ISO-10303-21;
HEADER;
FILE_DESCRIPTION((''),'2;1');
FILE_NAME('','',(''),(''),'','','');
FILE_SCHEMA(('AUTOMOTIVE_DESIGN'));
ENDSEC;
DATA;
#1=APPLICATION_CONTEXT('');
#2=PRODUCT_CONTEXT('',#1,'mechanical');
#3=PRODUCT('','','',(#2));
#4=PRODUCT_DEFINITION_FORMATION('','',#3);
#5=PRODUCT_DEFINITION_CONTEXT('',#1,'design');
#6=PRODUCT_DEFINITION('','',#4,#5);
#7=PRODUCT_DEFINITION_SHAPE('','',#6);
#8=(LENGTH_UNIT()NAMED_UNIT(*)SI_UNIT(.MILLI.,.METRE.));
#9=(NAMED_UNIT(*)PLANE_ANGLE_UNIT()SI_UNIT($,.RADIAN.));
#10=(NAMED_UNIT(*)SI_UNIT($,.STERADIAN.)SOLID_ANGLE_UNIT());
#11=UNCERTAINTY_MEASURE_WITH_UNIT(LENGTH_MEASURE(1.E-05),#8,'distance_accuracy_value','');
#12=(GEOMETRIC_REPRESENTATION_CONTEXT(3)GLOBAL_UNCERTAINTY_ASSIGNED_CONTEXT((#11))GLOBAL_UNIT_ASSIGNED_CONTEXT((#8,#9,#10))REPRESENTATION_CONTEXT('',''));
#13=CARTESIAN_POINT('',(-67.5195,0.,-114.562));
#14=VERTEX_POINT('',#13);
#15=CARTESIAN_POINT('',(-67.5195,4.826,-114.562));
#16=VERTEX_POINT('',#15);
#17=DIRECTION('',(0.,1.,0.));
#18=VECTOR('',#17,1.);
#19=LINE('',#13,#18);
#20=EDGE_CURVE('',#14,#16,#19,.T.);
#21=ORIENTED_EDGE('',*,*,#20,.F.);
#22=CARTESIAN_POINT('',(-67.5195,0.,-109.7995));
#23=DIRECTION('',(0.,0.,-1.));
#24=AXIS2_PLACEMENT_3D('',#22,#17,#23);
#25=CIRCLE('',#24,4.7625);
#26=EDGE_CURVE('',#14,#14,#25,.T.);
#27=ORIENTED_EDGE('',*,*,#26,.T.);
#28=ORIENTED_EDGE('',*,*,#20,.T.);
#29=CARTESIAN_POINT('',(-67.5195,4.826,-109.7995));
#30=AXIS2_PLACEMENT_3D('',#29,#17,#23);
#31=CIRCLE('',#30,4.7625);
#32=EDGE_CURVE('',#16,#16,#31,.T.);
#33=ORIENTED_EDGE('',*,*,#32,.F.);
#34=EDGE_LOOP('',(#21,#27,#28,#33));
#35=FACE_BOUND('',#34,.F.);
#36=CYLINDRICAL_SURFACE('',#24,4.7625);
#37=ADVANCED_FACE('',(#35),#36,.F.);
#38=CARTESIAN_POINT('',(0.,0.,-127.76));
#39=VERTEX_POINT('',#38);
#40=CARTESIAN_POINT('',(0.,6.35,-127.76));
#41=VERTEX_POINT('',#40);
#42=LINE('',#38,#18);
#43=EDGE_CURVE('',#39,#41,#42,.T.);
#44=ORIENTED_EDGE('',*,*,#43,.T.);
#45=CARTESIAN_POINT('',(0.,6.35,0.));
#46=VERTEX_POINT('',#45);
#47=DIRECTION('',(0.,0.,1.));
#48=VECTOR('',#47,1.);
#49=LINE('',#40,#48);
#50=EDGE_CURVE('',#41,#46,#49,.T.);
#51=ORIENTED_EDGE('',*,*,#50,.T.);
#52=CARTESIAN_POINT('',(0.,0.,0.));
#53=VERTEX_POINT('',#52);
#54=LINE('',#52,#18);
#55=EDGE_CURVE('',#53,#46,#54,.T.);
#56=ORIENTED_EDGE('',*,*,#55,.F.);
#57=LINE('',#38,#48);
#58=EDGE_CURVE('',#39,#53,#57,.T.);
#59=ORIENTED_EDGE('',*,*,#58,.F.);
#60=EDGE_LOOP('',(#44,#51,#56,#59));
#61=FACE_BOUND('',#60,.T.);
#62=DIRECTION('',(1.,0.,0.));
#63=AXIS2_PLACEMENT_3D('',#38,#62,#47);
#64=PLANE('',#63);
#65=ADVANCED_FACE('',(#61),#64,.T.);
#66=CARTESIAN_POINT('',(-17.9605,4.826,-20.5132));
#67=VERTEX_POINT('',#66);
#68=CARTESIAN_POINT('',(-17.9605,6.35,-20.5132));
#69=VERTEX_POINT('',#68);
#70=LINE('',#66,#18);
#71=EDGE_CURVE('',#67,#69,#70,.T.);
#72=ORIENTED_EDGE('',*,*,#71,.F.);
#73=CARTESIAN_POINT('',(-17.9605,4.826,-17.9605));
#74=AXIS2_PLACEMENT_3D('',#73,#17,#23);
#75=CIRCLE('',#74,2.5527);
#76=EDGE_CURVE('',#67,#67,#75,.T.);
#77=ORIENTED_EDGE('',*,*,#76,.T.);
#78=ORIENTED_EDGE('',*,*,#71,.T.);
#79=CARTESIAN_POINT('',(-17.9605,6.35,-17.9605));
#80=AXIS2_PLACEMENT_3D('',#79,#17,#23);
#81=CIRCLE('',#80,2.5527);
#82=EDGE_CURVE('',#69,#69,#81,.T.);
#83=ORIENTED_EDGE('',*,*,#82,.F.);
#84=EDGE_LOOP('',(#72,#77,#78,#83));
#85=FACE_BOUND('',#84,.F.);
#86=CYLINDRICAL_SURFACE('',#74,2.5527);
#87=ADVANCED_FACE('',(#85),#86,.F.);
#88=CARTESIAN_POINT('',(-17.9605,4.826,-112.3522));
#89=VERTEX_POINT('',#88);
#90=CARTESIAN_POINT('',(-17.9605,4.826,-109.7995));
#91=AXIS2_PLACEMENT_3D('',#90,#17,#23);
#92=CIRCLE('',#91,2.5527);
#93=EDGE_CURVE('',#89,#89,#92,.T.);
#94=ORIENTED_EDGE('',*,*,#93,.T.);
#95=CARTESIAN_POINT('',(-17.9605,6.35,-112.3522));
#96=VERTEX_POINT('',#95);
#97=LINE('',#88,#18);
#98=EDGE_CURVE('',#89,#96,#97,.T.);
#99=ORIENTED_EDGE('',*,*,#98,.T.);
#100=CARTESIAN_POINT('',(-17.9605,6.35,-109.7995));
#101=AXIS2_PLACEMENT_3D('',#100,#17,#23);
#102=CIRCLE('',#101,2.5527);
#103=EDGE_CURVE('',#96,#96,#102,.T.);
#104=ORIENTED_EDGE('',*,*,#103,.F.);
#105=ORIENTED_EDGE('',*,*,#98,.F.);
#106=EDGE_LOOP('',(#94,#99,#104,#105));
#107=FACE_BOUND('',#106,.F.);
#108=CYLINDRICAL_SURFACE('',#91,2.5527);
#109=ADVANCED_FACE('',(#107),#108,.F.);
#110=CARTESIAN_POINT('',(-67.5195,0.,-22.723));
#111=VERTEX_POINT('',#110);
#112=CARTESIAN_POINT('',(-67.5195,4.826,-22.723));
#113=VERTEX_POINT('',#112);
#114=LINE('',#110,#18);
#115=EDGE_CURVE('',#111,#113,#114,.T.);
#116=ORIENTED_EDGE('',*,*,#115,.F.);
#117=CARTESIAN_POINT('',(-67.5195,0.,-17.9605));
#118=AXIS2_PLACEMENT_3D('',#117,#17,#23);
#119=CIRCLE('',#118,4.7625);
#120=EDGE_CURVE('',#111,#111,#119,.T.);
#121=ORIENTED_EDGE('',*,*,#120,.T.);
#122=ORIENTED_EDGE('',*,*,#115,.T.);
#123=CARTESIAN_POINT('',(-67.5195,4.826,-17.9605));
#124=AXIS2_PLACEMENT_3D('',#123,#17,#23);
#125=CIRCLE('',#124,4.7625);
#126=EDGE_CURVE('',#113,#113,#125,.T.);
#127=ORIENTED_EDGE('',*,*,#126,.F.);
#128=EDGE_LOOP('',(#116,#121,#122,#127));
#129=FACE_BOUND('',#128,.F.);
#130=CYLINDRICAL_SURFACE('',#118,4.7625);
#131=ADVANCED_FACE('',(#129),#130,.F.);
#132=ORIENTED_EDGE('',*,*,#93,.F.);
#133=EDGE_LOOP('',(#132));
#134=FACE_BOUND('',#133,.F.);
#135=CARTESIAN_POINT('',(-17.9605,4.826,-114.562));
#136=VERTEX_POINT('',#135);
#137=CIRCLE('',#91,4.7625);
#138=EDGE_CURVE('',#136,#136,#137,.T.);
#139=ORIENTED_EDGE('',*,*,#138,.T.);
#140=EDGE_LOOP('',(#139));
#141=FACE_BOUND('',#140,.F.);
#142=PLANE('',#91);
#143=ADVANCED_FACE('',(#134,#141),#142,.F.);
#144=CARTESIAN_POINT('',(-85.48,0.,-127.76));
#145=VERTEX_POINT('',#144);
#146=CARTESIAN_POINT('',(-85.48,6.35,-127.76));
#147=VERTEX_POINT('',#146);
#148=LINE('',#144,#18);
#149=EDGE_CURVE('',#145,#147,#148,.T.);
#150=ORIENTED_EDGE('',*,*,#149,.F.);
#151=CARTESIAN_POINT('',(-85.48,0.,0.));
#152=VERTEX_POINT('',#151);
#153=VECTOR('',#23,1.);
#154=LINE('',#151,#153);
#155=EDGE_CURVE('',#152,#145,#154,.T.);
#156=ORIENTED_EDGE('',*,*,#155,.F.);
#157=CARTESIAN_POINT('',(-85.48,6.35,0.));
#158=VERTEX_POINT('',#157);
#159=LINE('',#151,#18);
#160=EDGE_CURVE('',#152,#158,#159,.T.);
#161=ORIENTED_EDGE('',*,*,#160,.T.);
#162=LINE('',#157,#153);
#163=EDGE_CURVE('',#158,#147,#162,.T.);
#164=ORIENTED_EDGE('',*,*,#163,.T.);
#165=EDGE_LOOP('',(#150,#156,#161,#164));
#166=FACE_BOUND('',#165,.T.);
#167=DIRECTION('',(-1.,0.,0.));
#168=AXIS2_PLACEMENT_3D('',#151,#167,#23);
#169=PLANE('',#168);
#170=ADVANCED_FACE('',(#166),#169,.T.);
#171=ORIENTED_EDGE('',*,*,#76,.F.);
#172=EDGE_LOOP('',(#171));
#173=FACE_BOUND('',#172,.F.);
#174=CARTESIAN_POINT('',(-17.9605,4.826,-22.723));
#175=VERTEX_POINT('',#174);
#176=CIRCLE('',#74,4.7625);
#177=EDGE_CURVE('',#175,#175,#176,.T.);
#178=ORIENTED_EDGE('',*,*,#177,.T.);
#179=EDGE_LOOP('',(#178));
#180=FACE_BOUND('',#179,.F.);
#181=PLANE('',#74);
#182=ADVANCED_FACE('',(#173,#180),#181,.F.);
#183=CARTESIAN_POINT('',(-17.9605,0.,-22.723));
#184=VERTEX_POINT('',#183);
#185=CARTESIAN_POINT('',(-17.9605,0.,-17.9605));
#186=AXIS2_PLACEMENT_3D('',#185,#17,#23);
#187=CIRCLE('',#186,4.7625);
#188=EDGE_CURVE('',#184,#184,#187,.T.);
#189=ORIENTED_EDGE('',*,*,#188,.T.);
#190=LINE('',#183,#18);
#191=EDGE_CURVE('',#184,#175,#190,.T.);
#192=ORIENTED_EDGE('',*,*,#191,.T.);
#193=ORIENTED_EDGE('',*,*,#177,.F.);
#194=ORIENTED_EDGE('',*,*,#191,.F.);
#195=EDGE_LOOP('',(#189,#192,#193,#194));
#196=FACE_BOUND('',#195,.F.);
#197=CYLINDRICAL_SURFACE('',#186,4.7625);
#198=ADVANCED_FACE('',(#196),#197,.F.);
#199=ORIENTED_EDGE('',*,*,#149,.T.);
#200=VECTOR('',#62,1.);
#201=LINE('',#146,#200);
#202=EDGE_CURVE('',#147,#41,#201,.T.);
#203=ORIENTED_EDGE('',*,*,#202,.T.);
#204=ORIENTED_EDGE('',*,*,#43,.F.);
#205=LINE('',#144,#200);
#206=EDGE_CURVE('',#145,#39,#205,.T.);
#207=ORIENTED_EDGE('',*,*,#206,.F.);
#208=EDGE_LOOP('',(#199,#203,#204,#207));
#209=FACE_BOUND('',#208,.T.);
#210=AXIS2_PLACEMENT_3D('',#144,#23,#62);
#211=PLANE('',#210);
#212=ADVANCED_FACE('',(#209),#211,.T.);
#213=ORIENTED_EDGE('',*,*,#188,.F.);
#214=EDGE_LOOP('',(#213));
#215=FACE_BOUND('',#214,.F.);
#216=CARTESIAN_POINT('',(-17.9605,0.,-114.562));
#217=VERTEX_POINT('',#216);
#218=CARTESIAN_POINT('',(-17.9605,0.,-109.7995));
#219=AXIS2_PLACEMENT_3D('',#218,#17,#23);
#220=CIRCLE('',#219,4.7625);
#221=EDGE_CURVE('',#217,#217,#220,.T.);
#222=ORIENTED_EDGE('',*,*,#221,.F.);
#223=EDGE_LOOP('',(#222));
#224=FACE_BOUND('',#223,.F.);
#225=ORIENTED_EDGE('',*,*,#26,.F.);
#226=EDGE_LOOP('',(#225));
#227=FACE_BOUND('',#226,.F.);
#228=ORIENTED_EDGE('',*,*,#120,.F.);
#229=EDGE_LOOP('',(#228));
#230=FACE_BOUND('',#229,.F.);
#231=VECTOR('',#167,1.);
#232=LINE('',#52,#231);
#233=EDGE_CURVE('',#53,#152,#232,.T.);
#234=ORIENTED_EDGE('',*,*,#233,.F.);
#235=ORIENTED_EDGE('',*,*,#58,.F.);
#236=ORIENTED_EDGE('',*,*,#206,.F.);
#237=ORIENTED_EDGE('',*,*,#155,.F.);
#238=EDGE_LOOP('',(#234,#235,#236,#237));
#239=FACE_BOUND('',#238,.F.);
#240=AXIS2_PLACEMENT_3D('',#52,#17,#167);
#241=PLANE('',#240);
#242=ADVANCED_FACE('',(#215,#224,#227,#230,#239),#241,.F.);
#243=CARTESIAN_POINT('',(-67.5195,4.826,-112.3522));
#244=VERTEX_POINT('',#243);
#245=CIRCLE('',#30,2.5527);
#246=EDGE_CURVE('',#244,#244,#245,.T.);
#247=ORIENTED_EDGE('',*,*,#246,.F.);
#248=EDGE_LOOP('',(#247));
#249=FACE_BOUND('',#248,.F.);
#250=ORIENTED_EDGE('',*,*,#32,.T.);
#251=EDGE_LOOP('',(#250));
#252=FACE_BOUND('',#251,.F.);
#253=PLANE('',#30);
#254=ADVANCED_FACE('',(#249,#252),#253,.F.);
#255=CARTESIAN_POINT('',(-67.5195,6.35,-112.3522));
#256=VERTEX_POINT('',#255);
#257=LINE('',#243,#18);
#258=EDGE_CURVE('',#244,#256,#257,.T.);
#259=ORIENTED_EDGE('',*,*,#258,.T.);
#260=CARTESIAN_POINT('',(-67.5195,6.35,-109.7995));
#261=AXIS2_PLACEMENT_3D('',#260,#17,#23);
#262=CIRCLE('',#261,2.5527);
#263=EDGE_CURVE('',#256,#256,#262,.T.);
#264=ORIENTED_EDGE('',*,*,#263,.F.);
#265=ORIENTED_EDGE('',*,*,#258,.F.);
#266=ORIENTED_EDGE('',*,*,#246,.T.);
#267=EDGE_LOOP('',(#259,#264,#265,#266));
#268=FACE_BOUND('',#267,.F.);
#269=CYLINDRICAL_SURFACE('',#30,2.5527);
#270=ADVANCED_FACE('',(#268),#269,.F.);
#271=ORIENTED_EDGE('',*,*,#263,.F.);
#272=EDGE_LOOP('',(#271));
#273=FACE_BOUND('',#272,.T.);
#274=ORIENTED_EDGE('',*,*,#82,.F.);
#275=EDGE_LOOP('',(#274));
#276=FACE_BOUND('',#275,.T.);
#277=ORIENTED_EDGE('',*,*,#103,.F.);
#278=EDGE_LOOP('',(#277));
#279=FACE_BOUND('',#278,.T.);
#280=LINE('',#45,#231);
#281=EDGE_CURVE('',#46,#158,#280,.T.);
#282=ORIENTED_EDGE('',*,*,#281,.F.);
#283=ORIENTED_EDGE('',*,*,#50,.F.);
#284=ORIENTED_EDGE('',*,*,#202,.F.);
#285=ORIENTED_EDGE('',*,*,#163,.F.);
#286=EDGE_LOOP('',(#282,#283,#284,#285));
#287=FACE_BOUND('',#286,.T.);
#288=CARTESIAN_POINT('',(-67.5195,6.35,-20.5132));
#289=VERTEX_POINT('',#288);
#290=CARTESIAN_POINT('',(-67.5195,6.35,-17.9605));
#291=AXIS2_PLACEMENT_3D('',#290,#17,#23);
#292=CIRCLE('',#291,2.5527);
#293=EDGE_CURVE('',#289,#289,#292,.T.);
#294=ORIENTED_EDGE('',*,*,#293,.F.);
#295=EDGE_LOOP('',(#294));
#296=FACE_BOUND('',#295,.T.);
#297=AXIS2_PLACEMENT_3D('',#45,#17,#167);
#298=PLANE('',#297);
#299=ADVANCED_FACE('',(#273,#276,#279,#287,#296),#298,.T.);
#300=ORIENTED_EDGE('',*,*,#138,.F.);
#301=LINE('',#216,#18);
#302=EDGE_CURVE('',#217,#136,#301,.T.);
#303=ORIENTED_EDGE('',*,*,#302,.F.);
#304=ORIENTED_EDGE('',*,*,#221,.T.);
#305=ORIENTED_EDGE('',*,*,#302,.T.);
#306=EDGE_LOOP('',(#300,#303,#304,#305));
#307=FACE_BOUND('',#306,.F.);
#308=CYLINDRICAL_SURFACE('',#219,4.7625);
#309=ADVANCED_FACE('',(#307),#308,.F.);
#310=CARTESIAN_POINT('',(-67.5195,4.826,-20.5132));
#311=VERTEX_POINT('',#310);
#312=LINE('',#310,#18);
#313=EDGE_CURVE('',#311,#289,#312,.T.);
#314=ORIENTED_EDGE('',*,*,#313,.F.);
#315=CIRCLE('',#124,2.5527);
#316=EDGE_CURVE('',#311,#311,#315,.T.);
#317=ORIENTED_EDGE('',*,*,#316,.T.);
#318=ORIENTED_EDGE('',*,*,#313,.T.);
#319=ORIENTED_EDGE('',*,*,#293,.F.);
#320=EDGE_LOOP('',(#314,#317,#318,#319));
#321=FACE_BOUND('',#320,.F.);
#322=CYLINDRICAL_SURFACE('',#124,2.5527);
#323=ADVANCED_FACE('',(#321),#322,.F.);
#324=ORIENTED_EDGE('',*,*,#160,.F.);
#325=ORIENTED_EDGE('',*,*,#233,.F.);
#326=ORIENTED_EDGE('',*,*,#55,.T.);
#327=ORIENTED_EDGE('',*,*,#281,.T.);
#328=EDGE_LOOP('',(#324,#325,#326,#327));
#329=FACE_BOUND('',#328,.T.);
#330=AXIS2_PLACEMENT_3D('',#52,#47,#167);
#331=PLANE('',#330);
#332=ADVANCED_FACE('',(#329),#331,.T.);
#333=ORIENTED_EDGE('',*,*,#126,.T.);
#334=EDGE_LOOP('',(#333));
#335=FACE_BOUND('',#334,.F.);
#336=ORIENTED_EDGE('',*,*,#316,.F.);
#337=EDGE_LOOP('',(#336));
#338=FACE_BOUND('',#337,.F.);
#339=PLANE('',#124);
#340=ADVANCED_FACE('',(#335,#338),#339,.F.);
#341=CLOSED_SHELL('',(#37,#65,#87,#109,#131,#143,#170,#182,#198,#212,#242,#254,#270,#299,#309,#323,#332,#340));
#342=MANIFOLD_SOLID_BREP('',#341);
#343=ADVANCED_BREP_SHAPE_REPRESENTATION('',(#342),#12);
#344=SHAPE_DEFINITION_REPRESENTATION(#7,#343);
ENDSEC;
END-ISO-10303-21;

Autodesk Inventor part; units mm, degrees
ref_plane "YZ Plane" through (0, 0, 0) normal (1, 0, 0) x (0, 1, 0)
ref_plane "XZ Plane" through (0, 0, 0) normal (0, 1, 0) x (-1, 0, 0)
ref_plane "XY Plane" through (0, 0, 0) normal (0, 0, 1) x (1, 0, 0)
sketch "Sketch1" plane through (0, 0, 0) normal (0, 1, 0) x (-1, 0, 0)
  line L0 (0, 0) -> (85.48, 0)
  line L1 (85.48, 0) -> (85.48, -127.76)
  line L2 (85.48, -127.76) -> (0, -127.76)
  line L3 (0, -127.76) -> (0, 0)
  line L4 (85.48, 0) -> (67.5195, -17.9605)
  line L5 (85.48, 0) -> (110.88, 0) construction
  line L6 (0, 0) -> (17.9605, -17.9605)
  line L7 (85.48, -127.76) -> (67.5195, -109.7995)
  line L8 (85.48, -127.76) -> (110.88, -127.76) construction
  line L9 (0, -127.76) -> (17.9605, -109.7995)
  line L10 (0, -127.76) -> (25.4, -127.76) construction
  dimension "d0" = 85.48
  dimension "d1" = 127.76
  dimension "d2" = 25.4
  dimension "d3" = 135
  dimension "d4" = 25.4
  dimension "d5" = 25.4
  dimension "d6" = 135
  dimension "d7" = 25.4
  dimension "d8" = 45
extrude "Extrusion1" add sketch "Sketch1" along normal blind 6.35
sketch "Sketch2" plane through (0, 0, 0) normal (0, -1, 0) x (1, 0, 0)
  line L0 (-85.48, 0) -> (0, 0) projected
  line L1 (0, 0) -> (-17.9605, -17.9605)
  line L2 (0, 0) -> (25.4, 0) construction
  line L3 (0, 0) -> (0, -127.76) projected
  line L4 (0, -127.76) -> (-17.9605, -109.7995)
  line L5 (0, -127.76) -> (25.4, -127.76) construction
  line L6 (-85.48, -127.76) -> (-85.48, 0) projected
  line L7 (-85.48, 0) -> (-67.5195, -17.9605)
  line L8 (-85.48, 0) -> (-60.08, 0) construction
  line L9 (0, -127.76) -> (-85.48, -127.76) projected
  line L10 (-85.48, -127.76) -> (-67.5195, -109.7995)
  line L11 (-85.48, -127.76) -> (-60.08, -127.76) construction
  dimension "d11" = 25.4
  dimension "d12" = 135
  dimension "d13" = 25.4
  dimension "d14" = 135
  dimension "d15" = 25.4
  dimension "d16" = 45
  dimension "d17" = 25.4
  dimension "d18" = 45
hole "Hole1" at (-17.9605, 0, -17.9605) at (-67.5195, 0, -17.9605) at (-67.5195, 0, -109.7995) at (-17.9605, 0, -109.7995) direction (0, 1, 0) diameter 5.1054 end through all counterbore diameter 9.525 counterbore depth 4.826 clearance for "Socket Head Cap Screw" size "#10" standard "Ansi Unified Screw Threads"
properties part number "Thermal_underplate"
